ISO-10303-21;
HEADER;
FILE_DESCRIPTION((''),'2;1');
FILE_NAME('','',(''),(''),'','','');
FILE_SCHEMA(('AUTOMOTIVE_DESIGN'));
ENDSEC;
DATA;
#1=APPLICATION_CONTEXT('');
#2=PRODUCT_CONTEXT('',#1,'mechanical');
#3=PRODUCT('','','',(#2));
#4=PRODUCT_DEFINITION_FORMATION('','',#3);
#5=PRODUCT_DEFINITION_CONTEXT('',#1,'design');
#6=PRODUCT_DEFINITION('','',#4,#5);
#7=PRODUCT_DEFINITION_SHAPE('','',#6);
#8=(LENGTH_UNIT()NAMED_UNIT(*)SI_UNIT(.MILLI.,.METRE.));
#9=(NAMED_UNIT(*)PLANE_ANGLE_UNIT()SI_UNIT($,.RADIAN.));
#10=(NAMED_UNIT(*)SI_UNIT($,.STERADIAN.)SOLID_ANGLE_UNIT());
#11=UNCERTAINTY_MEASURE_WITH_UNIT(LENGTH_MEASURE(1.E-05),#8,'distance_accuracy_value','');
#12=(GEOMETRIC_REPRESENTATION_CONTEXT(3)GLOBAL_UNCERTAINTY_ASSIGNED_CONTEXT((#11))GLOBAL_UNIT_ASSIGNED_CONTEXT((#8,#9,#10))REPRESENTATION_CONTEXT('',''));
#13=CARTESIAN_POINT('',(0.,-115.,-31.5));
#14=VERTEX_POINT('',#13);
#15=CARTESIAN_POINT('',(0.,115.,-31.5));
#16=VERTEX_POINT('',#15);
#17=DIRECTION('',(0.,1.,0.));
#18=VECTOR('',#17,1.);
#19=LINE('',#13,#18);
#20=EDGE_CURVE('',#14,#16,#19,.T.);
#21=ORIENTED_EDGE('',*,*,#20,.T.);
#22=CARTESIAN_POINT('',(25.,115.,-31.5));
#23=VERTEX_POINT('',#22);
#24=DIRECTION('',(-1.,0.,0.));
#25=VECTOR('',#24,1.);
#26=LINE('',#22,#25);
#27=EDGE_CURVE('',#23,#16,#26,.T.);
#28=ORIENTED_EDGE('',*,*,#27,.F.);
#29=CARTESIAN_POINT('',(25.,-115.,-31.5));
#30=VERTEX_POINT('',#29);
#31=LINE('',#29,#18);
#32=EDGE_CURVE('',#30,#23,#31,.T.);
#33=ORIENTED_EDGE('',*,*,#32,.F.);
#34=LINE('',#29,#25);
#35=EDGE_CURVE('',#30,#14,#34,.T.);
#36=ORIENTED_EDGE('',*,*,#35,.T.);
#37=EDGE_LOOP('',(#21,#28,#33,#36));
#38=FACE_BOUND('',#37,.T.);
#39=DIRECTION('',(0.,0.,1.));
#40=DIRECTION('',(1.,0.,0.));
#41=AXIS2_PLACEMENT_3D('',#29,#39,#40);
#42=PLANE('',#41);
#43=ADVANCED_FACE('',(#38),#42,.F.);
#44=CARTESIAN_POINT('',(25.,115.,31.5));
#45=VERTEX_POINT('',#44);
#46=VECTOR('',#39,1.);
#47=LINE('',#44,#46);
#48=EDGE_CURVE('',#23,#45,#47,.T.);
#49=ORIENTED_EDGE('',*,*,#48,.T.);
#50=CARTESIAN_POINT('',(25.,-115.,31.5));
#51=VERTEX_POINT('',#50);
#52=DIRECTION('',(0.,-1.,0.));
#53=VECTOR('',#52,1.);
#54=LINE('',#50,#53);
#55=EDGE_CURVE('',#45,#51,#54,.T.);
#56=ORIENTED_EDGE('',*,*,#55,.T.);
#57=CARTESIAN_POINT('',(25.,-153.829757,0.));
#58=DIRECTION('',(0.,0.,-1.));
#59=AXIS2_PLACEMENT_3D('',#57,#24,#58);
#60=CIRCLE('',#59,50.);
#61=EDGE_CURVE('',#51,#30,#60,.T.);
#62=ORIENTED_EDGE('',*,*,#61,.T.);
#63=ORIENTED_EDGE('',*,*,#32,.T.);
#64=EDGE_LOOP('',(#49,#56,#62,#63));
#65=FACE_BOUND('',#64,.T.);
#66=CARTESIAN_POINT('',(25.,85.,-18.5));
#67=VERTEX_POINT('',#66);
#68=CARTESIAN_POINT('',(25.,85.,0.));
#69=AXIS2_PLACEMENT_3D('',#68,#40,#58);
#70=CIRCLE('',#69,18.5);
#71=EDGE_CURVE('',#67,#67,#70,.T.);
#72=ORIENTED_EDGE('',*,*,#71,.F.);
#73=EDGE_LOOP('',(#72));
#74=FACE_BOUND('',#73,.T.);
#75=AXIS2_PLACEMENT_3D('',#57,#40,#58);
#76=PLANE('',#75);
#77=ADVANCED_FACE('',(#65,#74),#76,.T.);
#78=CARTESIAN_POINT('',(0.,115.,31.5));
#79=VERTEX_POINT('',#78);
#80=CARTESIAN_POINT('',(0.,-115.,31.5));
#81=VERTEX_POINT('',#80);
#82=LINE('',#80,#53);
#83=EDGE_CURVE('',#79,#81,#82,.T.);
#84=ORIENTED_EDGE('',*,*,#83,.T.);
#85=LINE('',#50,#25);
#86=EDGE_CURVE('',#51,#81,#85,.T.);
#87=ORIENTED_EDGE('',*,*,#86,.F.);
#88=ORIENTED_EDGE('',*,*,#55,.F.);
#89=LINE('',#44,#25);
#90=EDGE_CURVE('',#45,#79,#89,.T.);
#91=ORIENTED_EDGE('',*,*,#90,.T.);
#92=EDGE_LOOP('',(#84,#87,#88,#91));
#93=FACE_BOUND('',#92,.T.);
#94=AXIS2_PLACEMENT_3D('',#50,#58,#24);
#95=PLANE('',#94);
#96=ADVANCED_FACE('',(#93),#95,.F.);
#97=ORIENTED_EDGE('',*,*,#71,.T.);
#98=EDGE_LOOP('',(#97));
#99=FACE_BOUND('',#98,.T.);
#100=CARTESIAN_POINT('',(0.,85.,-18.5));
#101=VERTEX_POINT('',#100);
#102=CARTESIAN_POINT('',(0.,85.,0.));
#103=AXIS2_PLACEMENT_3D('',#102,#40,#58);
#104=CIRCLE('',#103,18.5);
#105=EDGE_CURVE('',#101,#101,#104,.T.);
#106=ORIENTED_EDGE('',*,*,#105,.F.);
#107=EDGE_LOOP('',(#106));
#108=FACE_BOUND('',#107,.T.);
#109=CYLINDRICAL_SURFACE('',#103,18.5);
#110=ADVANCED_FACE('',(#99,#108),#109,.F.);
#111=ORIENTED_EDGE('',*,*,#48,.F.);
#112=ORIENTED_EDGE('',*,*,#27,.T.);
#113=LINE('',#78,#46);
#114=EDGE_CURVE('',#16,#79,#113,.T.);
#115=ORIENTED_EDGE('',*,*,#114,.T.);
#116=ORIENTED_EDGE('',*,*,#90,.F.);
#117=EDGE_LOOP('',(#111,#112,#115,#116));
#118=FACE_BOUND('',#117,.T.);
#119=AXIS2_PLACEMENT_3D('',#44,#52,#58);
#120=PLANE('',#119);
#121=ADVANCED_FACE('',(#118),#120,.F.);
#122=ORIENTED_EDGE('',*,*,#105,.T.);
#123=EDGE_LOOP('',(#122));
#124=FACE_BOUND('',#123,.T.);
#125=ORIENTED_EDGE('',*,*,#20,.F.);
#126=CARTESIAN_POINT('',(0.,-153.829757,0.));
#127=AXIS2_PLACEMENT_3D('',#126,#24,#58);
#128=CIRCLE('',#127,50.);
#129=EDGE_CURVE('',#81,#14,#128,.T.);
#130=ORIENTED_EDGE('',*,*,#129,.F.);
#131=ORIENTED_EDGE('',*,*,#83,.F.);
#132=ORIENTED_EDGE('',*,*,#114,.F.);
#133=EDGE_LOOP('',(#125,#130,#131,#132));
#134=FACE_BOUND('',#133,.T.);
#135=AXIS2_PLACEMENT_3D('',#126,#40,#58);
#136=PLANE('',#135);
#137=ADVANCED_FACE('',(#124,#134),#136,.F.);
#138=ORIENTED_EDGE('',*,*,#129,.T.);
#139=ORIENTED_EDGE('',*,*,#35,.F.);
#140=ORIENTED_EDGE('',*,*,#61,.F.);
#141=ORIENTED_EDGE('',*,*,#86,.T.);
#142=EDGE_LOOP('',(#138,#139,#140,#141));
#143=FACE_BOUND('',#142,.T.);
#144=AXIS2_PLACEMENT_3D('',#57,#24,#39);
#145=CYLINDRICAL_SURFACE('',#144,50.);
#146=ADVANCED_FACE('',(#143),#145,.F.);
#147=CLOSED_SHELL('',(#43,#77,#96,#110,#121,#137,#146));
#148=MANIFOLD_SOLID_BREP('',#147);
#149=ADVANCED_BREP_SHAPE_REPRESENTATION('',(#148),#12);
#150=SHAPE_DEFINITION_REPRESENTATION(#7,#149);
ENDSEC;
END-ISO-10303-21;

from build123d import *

# Parameters (mm, degrees)
BOSS_EXTRUDE1_DEPTH     = 25
CUT_EXTRUDE1_DEPTH      = 122.828773284
CUT_EXTRUDE1_DEPTH_BACK = 122.828773284
SKETCH2_R               = 18.5


with BuildPart() as part:
    # Sketch1 → Boss-Extrude1 (new body)
    with BuildSketch(Plane(origin=(0, 0, 0), x_dir=(0, 0, -1), z_dir=(1, 0, 0))):
        with BuildLine():
            Line((-31.5, -115), (-31.5, 115))
            Line((-31.5, 115), (31.5, 115))
            Line((31.5, 115), (31.5, -115))
            ThreePointArc((31.5, -115), (0, -103.829756631), (-31.5, -115))
        make_face()
    extrude(amount=BOSS_EXTRUDE1_DEPTH)

    # Sketch2 → Cut-Extrude1 (cut, two sides: drawn at the far end of the back side and taken through both)
    with BuildSketch(Plane(origin=(25, 0, 0), x_dir=(0, 0, -1), z_dir=(1, 0, 0)).offset(-CUT_EXTRUDE1_DEPTH_BACK)):
        with Locations((0, 85)):
            Circle(SKETCH2_R)
    extrude(amount=CUT_EXTRUDE1_DEPTH + CUT_EXTRUDE1_DEPTH_BACK, mode=Mode.SUBTRACT)


solid = part.part
